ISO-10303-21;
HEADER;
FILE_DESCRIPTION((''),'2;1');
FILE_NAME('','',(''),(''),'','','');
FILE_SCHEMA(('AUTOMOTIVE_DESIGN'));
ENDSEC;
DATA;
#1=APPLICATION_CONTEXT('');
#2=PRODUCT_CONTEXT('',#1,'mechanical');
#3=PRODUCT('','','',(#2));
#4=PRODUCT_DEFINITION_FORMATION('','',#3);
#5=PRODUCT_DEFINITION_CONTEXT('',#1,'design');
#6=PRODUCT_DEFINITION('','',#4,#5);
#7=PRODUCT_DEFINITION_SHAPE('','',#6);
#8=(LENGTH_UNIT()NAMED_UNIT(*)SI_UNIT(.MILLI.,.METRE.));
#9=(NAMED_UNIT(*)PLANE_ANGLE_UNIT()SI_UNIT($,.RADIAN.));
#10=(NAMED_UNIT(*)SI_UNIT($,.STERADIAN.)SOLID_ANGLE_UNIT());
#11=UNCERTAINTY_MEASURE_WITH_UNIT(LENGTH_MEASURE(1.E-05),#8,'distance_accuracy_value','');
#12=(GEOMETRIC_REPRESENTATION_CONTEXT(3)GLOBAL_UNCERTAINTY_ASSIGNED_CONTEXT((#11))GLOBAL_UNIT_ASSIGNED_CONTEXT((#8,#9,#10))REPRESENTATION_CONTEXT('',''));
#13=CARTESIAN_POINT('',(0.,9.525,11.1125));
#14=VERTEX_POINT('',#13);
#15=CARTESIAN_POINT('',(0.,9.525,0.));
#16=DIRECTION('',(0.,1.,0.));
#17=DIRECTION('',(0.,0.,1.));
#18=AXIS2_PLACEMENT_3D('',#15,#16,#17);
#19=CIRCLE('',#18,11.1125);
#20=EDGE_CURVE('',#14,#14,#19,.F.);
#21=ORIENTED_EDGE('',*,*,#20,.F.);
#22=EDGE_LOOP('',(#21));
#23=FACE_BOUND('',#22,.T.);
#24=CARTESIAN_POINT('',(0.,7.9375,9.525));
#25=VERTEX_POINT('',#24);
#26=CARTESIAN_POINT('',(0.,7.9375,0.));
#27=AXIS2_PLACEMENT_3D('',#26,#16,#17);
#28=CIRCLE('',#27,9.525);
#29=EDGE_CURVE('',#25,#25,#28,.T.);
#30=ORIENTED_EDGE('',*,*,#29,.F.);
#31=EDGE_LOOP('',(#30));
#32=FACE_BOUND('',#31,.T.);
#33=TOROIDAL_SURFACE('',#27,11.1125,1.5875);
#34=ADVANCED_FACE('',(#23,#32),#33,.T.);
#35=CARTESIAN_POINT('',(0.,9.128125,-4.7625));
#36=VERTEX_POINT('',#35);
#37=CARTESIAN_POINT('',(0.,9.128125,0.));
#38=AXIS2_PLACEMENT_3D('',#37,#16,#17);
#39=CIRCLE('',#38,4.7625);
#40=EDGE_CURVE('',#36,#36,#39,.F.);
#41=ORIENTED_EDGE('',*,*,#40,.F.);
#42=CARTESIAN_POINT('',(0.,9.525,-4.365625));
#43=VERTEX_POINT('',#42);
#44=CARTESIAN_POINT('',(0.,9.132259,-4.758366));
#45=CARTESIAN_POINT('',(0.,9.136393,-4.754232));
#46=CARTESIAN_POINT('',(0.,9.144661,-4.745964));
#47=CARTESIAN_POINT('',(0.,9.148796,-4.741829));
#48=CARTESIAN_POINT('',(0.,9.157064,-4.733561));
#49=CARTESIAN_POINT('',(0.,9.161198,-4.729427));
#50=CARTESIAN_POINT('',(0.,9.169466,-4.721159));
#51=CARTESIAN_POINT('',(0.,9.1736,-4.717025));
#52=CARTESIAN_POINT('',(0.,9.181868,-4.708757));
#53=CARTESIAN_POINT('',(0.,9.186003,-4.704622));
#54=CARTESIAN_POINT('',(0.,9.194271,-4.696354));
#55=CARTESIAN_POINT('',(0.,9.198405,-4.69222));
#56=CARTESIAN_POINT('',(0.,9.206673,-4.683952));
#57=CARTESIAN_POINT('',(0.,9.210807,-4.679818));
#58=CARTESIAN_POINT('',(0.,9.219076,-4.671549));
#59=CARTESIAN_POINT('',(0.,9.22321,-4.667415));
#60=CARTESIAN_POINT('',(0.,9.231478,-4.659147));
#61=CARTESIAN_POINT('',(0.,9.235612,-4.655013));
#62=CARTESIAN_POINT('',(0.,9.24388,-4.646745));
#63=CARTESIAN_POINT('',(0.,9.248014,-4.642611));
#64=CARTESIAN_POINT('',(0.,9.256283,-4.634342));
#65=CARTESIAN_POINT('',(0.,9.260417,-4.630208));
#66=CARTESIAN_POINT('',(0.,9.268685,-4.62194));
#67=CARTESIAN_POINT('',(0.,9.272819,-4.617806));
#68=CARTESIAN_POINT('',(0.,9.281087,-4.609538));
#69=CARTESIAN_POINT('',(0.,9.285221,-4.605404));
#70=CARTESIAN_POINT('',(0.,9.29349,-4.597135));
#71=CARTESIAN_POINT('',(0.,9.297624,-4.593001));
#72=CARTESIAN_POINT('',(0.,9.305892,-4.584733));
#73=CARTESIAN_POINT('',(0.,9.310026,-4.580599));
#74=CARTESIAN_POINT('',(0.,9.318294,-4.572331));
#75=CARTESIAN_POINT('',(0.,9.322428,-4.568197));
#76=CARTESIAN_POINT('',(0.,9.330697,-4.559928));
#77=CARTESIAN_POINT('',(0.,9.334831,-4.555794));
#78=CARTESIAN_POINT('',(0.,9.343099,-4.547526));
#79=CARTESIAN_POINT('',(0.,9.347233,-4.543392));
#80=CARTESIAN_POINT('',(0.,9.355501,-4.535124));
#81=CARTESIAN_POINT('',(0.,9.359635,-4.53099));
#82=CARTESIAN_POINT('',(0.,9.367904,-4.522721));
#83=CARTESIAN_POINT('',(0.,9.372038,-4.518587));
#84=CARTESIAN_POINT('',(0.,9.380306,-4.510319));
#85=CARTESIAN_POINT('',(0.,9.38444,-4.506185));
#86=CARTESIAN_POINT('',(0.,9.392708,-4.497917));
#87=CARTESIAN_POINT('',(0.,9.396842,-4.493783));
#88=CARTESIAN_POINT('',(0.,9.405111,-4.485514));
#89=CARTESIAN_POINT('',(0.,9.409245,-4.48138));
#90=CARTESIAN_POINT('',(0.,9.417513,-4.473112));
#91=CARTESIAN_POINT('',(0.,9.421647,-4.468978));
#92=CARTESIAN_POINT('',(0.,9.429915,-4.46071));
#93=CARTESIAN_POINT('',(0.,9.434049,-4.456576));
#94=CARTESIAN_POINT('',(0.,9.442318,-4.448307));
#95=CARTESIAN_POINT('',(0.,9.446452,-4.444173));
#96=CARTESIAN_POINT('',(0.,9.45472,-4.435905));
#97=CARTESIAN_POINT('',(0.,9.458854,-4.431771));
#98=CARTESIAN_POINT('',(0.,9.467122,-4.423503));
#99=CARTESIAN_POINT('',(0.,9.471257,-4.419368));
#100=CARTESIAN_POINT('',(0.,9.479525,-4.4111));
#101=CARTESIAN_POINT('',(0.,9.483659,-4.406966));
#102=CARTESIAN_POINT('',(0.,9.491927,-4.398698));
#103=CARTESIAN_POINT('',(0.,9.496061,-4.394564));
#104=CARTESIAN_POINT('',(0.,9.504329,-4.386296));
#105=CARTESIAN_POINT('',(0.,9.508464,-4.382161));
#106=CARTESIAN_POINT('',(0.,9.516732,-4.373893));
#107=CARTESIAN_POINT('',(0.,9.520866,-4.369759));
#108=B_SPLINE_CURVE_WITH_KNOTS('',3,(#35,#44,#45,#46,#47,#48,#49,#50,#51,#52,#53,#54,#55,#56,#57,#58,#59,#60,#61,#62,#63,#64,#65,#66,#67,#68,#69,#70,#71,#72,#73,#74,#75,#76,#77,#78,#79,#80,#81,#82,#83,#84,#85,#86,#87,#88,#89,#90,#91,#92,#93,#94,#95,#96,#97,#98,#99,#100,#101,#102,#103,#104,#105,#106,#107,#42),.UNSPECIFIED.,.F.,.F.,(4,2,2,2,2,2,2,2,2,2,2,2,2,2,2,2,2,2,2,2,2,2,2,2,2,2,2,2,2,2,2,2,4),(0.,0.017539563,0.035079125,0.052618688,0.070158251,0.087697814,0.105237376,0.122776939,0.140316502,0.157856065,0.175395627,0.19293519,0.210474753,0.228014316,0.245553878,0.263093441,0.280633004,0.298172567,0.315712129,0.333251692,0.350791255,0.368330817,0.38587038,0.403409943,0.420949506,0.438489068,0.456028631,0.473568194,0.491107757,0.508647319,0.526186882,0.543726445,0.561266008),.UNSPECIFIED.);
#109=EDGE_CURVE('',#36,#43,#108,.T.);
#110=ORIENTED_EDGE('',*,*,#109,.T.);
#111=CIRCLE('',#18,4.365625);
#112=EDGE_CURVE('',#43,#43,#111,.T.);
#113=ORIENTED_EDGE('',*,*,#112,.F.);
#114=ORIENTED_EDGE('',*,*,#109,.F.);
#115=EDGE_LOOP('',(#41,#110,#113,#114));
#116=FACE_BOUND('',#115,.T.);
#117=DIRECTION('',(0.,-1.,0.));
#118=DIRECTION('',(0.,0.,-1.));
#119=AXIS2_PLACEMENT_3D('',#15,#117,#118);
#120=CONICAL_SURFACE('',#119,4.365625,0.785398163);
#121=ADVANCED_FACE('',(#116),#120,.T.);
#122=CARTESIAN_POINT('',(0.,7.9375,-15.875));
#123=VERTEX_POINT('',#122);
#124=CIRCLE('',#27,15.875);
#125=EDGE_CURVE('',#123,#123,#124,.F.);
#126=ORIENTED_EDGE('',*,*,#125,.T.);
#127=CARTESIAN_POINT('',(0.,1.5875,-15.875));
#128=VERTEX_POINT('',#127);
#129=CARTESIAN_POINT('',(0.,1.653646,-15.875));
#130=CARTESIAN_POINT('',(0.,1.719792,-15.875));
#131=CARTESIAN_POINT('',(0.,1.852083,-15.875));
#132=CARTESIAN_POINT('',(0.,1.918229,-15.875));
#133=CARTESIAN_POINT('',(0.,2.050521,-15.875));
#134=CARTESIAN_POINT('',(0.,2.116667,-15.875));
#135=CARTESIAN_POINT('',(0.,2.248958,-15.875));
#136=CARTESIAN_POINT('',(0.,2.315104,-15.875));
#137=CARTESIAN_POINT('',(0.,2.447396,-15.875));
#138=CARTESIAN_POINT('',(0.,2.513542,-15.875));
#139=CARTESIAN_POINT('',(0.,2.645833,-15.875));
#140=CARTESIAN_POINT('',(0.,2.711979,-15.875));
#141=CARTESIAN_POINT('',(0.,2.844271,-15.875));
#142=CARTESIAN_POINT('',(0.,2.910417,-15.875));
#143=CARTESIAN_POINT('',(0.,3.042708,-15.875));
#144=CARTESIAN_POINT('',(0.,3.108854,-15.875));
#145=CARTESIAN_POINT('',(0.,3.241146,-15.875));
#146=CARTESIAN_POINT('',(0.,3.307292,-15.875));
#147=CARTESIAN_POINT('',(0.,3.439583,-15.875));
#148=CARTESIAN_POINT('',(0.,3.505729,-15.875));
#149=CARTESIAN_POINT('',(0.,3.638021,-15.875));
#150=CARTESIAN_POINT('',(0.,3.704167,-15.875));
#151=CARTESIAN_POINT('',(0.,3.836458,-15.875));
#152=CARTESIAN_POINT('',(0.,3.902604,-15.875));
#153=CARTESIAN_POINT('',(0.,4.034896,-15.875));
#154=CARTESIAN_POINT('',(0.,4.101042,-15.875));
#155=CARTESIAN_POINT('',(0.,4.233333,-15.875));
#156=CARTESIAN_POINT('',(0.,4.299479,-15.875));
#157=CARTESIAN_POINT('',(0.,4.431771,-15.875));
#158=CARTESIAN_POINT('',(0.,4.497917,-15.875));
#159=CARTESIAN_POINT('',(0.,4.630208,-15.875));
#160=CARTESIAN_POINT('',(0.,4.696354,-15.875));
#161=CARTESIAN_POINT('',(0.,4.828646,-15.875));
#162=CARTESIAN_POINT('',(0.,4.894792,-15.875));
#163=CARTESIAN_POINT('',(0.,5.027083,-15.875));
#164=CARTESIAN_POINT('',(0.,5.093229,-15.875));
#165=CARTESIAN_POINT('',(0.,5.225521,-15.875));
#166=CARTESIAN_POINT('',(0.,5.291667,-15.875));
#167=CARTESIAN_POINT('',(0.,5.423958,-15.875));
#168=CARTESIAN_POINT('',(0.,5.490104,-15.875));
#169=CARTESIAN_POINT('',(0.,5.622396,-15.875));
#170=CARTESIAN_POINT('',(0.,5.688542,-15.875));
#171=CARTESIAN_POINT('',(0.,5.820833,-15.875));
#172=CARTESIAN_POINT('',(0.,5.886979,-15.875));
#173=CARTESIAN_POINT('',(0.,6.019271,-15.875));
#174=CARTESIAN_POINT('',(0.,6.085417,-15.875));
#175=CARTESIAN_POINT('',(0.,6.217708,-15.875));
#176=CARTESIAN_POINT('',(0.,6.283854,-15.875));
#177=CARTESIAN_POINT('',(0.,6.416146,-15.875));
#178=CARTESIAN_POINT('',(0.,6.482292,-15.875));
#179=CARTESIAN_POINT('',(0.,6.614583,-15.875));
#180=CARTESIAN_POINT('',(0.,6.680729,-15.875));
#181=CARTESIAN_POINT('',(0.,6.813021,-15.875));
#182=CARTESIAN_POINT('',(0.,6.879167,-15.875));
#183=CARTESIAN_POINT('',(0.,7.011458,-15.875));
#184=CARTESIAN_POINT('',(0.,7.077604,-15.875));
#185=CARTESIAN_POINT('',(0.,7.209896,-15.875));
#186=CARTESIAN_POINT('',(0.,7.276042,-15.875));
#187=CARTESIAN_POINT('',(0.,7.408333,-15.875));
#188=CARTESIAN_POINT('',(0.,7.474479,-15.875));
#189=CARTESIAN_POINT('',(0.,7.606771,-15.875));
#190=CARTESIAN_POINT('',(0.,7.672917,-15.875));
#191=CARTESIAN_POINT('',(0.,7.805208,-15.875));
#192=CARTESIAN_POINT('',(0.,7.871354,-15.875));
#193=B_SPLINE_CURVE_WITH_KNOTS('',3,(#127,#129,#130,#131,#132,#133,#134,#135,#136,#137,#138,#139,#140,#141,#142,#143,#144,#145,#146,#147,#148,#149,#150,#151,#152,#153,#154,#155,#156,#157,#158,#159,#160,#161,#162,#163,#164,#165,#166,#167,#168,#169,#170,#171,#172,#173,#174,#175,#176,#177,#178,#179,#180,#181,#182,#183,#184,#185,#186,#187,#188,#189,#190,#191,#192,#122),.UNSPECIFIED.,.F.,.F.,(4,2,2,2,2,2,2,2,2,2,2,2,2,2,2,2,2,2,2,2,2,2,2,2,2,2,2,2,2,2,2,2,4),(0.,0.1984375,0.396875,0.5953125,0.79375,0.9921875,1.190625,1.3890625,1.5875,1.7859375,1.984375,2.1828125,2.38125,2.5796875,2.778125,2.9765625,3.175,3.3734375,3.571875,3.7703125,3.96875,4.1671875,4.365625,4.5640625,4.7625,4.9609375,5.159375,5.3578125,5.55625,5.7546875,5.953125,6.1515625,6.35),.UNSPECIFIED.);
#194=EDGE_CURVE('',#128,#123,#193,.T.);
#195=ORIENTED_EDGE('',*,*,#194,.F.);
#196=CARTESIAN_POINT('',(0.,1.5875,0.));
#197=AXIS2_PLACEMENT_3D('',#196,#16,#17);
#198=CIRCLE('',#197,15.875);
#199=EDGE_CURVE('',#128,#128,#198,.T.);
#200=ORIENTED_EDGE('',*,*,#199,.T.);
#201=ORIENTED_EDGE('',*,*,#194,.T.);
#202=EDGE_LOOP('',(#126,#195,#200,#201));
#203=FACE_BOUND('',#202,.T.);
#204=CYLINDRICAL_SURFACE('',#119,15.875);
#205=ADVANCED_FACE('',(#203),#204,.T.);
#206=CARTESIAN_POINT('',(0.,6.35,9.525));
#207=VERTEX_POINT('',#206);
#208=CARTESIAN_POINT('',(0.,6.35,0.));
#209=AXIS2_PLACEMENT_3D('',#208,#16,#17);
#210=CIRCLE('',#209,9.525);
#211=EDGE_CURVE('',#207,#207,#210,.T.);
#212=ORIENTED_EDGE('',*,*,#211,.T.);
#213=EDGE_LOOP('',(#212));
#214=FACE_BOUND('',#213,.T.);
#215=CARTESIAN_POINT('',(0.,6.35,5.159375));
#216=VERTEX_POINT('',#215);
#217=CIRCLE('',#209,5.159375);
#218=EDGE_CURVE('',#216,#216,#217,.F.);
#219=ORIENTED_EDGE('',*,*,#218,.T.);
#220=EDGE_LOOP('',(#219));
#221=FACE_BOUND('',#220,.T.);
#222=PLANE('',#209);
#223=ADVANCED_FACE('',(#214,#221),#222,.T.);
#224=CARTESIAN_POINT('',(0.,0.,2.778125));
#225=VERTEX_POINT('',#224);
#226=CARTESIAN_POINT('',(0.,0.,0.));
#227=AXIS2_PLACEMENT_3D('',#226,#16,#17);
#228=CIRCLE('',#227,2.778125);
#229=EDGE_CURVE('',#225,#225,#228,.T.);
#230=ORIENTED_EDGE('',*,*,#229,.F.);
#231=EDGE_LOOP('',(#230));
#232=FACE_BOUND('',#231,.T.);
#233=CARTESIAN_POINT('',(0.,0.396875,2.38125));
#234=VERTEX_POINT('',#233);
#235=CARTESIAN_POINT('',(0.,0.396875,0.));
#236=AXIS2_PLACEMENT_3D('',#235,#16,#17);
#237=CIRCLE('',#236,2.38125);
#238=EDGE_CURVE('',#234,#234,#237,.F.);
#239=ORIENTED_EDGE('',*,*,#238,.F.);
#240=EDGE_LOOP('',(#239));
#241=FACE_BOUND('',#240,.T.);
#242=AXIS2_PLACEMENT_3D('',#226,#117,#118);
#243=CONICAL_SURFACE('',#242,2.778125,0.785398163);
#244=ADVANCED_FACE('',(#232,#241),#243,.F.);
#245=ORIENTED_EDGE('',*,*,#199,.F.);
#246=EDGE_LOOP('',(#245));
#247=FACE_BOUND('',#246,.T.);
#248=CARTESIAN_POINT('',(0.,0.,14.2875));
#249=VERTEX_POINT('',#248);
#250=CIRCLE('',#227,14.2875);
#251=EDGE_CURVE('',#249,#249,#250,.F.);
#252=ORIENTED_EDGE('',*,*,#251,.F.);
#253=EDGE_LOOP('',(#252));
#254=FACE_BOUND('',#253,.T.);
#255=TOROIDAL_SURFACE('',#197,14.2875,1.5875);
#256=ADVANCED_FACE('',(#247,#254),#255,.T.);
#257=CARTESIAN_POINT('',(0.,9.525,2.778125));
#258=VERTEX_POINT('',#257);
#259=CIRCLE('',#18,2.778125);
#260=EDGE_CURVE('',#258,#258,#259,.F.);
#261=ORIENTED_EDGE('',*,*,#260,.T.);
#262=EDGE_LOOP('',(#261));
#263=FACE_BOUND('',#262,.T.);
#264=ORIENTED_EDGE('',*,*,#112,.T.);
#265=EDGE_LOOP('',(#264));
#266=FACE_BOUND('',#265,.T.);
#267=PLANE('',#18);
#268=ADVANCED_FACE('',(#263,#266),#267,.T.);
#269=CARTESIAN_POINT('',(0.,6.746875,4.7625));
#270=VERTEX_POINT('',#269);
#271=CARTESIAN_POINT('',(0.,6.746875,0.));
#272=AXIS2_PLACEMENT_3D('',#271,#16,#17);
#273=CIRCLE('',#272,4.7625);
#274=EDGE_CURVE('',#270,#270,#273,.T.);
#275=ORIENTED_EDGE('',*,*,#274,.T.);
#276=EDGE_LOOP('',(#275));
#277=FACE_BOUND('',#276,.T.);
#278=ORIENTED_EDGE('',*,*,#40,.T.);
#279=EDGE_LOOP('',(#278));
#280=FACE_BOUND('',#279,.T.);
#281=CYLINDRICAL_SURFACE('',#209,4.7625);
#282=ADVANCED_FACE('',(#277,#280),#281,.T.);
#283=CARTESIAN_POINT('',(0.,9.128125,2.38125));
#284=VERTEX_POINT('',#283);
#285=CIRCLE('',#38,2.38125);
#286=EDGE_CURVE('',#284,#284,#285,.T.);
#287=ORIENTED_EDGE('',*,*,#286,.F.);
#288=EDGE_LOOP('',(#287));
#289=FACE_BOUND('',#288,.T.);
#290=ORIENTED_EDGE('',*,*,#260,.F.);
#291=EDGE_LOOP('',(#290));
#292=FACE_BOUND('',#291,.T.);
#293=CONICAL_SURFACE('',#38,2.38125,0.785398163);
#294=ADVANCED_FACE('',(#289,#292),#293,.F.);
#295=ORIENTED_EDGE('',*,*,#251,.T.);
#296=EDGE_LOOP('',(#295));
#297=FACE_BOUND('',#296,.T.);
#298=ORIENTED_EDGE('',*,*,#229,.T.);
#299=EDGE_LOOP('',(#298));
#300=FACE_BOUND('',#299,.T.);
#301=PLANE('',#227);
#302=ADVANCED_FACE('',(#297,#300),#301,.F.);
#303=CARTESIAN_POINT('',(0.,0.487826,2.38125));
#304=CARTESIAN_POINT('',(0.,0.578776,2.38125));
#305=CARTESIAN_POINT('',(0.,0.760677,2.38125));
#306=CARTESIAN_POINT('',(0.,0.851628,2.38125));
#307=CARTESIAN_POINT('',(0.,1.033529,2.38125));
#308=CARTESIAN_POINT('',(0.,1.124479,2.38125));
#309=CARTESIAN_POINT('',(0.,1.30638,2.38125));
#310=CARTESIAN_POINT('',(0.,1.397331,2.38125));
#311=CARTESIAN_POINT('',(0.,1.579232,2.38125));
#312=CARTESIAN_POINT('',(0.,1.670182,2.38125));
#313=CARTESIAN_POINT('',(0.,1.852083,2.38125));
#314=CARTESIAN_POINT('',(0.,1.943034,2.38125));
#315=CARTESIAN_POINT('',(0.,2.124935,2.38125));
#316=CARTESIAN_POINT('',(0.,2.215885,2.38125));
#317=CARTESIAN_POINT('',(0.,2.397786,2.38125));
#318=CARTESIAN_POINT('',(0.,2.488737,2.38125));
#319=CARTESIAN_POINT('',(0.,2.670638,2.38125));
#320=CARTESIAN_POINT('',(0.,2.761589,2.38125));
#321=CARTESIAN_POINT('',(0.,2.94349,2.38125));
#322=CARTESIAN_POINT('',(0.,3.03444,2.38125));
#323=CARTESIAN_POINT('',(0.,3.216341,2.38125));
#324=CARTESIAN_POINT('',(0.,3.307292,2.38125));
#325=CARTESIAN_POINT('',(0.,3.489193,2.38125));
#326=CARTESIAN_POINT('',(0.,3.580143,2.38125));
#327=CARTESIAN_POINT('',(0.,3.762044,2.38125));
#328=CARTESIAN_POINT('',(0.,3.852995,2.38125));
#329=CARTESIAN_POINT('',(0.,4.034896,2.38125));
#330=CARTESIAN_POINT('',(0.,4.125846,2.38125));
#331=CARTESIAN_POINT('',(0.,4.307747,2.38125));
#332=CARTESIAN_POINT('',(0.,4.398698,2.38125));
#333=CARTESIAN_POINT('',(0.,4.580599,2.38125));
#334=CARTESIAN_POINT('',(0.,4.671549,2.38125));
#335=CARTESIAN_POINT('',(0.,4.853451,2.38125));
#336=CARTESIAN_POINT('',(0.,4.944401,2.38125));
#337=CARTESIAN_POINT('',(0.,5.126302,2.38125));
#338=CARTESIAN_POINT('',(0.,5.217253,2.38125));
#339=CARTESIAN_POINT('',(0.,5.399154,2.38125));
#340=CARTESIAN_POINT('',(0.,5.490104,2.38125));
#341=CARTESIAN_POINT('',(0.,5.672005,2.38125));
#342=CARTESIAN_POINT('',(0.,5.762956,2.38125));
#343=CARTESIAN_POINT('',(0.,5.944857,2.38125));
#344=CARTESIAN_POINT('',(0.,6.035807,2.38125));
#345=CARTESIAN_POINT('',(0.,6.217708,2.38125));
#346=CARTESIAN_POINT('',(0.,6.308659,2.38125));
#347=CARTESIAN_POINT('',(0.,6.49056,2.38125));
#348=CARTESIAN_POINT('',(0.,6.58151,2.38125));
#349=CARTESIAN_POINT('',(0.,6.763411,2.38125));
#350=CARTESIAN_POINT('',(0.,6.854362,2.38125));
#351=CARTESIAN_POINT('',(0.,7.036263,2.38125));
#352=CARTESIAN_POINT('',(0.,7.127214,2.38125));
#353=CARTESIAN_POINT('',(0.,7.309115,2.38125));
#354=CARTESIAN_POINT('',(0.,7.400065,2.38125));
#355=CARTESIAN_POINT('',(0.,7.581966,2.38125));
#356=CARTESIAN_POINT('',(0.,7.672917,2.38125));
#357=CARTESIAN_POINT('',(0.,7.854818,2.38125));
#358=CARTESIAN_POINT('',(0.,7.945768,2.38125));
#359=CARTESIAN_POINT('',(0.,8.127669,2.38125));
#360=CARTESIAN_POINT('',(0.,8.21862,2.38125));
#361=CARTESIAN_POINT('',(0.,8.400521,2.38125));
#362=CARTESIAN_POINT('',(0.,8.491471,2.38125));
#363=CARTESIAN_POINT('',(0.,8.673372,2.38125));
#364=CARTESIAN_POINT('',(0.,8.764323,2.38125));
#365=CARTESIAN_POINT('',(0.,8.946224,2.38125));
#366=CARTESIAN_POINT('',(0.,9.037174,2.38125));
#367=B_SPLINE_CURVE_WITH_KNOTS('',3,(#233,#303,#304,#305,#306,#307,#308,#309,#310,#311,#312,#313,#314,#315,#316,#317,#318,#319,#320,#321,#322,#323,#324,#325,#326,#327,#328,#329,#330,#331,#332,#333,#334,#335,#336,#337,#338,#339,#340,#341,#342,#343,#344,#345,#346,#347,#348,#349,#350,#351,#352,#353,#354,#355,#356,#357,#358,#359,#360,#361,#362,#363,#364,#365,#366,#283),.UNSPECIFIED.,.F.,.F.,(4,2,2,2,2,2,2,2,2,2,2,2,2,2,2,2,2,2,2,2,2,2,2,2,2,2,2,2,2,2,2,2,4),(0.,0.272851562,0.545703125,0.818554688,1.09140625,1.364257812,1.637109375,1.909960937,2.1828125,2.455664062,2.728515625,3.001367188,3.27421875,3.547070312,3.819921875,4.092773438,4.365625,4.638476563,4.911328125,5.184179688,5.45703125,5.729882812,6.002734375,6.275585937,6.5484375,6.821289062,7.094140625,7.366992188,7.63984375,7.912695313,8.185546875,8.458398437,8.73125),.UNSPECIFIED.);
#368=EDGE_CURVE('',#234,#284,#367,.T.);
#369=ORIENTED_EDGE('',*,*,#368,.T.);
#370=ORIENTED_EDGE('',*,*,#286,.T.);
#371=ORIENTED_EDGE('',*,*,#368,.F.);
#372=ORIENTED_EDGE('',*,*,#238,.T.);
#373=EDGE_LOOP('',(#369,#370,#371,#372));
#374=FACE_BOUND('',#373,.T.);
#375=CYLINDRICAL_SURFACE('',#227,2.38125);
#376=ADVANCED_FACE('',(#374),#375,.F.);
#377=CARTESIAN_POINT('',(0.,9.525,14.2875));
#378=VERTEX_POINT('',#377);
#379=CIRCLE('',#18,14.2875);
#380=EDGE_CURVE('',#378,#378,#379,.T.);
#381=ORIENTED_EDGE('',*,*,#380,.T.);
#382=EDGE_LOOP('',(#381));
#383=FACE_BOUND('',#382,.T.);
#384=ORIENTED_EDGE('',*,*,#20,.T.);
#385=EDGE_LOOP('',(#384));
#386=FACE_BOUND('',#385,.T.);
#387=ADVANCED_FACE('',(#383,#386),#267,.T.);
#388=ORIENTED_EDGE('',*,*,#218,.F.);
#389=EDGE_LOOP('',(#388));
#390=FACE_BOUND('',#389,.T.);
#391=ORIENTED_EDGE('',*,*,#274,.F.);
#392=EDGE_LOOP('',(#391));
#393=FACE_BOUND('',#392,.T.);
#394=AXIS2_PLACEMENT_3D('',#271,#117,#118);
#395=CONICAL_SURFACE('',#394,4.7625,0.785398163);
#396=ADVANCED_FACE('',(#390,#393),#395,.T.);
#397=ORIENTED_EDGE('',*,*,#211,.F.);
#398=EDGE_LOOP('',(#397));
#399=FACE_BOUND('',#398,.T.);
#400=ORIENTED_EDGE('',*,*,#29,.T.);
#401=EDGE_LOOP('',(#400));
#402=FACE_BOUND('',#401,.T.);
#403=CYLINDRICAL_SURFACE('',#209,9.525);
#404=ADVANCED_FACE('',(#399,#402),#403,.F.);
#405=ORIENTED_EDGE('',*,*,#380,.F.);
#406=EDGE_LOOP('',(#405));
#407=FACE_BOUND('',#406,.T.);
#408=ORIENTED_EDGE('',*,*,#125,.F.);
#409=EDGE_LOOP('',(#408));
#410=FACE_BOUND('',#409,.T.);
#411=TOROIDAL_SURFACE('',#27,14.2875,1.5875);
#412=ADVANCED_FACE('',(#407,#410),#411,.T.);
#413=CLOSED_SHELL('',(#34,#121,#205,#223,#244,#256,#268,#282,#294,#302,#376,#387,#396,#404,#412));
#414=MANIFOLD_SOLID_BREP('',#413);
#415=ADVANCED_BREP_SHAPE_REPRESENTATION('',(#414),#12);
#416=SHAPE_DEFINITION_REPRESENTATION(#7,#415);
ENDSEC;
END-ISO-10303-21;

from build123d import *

# Parameters (mm, degrees)
SKETCH1_R               = 15.875
BOSS_EXTRUDE1_DEPTH     = 9.525
SKETCH2_R               = 9.525
SKETCH2_R_2             = 4.7625
CUT_EXTRUDE1_DEPTH      = 3.175
CUT_EXTRUDE2_DEPTH      = 25.387637749
CUT_EXTRUDE2_DEPTH_BACK = 25.387637749
SKETCH3_R               = 2.38125
FILLET2_R               = 1.5875
CHAMFER2_SIZE           = 0.396875


with BuildPart() as part:
    # Sketch1 → Boss-Extrude1 (new body)
    with BuildSketch(Plane(origin=(0, 0, 0), x_dir=(1, 0, 0), z_dir=(0, 1, 0))):
        with Locations(Location((0, 0, 0), (0, 0, 90))):
            Circle(SKETCH1_R)
    extrude(amount=BOSS_EXTRUDE1_DEPTH)

    # Sketch2 → Cut-Extrude1 (cut)
    with BuildSketch(Plane(origin=(0, 9.525, 0), x_dir=(1, 0, 0), z_dir=(0, 1, 0))):
        with Locations(Location((0, 0, 0), (0, 0, 270))):
            Circle(SKETCH2_R)
        with Locations(Location((0, 0, 0), (0, 0, 270))):
            Circle(SKETCH2_R_2, mode=Mode.SUBTRACT)
    extrude(amount=-CUT_EXTRUDE1_DEPTH, mode=Mode.SUBTRACT)

    # Sketch3 → Cut-Extrude2 (cut, two sides: drawn at the far end of the back side and taken through both)
    with BuildSketch(Plane(origin=(0, 9.525, 0), x_dir=(1, 0, 0), z_dir=(0, 1, 0)).offset(-CUT_EXTRUDE2_DEPTH_BACK)):
        with Locations(Location((0, 0, 0), (0, 0, 270))):
            Circle(SKETCH3_R)
    extrude(amount=CUT_EXTRUDE2_DEPTH + CUT_EXTRUDE2_DEPTH_BACK, mode=Mode.SUBTRACT)

    # Fillet2
    fillet2_edges = [part.edges().sort_by_distance(p)[0] for p in [
        (0, 0, 15.875),
        (0, 9.525, 15.875),
        (0, 9.525, -9.525),
    ]]
    fillet(fillet2_edges, radius=FILLET2_R)

    # Chamfer2
    chamfer2_edges = [part.edges().sort_by_distance(p)[0] for p in [
        (0, 9.525, -2.38125),
        (0, 0, -2.38125),
        (0, 6.35, -4.7625),
        (0, 9.525, -4.7625),
    ]]
    chamfer(chamfer2_edges, length=CHAMFER2_SIZE)


solid = part.part
